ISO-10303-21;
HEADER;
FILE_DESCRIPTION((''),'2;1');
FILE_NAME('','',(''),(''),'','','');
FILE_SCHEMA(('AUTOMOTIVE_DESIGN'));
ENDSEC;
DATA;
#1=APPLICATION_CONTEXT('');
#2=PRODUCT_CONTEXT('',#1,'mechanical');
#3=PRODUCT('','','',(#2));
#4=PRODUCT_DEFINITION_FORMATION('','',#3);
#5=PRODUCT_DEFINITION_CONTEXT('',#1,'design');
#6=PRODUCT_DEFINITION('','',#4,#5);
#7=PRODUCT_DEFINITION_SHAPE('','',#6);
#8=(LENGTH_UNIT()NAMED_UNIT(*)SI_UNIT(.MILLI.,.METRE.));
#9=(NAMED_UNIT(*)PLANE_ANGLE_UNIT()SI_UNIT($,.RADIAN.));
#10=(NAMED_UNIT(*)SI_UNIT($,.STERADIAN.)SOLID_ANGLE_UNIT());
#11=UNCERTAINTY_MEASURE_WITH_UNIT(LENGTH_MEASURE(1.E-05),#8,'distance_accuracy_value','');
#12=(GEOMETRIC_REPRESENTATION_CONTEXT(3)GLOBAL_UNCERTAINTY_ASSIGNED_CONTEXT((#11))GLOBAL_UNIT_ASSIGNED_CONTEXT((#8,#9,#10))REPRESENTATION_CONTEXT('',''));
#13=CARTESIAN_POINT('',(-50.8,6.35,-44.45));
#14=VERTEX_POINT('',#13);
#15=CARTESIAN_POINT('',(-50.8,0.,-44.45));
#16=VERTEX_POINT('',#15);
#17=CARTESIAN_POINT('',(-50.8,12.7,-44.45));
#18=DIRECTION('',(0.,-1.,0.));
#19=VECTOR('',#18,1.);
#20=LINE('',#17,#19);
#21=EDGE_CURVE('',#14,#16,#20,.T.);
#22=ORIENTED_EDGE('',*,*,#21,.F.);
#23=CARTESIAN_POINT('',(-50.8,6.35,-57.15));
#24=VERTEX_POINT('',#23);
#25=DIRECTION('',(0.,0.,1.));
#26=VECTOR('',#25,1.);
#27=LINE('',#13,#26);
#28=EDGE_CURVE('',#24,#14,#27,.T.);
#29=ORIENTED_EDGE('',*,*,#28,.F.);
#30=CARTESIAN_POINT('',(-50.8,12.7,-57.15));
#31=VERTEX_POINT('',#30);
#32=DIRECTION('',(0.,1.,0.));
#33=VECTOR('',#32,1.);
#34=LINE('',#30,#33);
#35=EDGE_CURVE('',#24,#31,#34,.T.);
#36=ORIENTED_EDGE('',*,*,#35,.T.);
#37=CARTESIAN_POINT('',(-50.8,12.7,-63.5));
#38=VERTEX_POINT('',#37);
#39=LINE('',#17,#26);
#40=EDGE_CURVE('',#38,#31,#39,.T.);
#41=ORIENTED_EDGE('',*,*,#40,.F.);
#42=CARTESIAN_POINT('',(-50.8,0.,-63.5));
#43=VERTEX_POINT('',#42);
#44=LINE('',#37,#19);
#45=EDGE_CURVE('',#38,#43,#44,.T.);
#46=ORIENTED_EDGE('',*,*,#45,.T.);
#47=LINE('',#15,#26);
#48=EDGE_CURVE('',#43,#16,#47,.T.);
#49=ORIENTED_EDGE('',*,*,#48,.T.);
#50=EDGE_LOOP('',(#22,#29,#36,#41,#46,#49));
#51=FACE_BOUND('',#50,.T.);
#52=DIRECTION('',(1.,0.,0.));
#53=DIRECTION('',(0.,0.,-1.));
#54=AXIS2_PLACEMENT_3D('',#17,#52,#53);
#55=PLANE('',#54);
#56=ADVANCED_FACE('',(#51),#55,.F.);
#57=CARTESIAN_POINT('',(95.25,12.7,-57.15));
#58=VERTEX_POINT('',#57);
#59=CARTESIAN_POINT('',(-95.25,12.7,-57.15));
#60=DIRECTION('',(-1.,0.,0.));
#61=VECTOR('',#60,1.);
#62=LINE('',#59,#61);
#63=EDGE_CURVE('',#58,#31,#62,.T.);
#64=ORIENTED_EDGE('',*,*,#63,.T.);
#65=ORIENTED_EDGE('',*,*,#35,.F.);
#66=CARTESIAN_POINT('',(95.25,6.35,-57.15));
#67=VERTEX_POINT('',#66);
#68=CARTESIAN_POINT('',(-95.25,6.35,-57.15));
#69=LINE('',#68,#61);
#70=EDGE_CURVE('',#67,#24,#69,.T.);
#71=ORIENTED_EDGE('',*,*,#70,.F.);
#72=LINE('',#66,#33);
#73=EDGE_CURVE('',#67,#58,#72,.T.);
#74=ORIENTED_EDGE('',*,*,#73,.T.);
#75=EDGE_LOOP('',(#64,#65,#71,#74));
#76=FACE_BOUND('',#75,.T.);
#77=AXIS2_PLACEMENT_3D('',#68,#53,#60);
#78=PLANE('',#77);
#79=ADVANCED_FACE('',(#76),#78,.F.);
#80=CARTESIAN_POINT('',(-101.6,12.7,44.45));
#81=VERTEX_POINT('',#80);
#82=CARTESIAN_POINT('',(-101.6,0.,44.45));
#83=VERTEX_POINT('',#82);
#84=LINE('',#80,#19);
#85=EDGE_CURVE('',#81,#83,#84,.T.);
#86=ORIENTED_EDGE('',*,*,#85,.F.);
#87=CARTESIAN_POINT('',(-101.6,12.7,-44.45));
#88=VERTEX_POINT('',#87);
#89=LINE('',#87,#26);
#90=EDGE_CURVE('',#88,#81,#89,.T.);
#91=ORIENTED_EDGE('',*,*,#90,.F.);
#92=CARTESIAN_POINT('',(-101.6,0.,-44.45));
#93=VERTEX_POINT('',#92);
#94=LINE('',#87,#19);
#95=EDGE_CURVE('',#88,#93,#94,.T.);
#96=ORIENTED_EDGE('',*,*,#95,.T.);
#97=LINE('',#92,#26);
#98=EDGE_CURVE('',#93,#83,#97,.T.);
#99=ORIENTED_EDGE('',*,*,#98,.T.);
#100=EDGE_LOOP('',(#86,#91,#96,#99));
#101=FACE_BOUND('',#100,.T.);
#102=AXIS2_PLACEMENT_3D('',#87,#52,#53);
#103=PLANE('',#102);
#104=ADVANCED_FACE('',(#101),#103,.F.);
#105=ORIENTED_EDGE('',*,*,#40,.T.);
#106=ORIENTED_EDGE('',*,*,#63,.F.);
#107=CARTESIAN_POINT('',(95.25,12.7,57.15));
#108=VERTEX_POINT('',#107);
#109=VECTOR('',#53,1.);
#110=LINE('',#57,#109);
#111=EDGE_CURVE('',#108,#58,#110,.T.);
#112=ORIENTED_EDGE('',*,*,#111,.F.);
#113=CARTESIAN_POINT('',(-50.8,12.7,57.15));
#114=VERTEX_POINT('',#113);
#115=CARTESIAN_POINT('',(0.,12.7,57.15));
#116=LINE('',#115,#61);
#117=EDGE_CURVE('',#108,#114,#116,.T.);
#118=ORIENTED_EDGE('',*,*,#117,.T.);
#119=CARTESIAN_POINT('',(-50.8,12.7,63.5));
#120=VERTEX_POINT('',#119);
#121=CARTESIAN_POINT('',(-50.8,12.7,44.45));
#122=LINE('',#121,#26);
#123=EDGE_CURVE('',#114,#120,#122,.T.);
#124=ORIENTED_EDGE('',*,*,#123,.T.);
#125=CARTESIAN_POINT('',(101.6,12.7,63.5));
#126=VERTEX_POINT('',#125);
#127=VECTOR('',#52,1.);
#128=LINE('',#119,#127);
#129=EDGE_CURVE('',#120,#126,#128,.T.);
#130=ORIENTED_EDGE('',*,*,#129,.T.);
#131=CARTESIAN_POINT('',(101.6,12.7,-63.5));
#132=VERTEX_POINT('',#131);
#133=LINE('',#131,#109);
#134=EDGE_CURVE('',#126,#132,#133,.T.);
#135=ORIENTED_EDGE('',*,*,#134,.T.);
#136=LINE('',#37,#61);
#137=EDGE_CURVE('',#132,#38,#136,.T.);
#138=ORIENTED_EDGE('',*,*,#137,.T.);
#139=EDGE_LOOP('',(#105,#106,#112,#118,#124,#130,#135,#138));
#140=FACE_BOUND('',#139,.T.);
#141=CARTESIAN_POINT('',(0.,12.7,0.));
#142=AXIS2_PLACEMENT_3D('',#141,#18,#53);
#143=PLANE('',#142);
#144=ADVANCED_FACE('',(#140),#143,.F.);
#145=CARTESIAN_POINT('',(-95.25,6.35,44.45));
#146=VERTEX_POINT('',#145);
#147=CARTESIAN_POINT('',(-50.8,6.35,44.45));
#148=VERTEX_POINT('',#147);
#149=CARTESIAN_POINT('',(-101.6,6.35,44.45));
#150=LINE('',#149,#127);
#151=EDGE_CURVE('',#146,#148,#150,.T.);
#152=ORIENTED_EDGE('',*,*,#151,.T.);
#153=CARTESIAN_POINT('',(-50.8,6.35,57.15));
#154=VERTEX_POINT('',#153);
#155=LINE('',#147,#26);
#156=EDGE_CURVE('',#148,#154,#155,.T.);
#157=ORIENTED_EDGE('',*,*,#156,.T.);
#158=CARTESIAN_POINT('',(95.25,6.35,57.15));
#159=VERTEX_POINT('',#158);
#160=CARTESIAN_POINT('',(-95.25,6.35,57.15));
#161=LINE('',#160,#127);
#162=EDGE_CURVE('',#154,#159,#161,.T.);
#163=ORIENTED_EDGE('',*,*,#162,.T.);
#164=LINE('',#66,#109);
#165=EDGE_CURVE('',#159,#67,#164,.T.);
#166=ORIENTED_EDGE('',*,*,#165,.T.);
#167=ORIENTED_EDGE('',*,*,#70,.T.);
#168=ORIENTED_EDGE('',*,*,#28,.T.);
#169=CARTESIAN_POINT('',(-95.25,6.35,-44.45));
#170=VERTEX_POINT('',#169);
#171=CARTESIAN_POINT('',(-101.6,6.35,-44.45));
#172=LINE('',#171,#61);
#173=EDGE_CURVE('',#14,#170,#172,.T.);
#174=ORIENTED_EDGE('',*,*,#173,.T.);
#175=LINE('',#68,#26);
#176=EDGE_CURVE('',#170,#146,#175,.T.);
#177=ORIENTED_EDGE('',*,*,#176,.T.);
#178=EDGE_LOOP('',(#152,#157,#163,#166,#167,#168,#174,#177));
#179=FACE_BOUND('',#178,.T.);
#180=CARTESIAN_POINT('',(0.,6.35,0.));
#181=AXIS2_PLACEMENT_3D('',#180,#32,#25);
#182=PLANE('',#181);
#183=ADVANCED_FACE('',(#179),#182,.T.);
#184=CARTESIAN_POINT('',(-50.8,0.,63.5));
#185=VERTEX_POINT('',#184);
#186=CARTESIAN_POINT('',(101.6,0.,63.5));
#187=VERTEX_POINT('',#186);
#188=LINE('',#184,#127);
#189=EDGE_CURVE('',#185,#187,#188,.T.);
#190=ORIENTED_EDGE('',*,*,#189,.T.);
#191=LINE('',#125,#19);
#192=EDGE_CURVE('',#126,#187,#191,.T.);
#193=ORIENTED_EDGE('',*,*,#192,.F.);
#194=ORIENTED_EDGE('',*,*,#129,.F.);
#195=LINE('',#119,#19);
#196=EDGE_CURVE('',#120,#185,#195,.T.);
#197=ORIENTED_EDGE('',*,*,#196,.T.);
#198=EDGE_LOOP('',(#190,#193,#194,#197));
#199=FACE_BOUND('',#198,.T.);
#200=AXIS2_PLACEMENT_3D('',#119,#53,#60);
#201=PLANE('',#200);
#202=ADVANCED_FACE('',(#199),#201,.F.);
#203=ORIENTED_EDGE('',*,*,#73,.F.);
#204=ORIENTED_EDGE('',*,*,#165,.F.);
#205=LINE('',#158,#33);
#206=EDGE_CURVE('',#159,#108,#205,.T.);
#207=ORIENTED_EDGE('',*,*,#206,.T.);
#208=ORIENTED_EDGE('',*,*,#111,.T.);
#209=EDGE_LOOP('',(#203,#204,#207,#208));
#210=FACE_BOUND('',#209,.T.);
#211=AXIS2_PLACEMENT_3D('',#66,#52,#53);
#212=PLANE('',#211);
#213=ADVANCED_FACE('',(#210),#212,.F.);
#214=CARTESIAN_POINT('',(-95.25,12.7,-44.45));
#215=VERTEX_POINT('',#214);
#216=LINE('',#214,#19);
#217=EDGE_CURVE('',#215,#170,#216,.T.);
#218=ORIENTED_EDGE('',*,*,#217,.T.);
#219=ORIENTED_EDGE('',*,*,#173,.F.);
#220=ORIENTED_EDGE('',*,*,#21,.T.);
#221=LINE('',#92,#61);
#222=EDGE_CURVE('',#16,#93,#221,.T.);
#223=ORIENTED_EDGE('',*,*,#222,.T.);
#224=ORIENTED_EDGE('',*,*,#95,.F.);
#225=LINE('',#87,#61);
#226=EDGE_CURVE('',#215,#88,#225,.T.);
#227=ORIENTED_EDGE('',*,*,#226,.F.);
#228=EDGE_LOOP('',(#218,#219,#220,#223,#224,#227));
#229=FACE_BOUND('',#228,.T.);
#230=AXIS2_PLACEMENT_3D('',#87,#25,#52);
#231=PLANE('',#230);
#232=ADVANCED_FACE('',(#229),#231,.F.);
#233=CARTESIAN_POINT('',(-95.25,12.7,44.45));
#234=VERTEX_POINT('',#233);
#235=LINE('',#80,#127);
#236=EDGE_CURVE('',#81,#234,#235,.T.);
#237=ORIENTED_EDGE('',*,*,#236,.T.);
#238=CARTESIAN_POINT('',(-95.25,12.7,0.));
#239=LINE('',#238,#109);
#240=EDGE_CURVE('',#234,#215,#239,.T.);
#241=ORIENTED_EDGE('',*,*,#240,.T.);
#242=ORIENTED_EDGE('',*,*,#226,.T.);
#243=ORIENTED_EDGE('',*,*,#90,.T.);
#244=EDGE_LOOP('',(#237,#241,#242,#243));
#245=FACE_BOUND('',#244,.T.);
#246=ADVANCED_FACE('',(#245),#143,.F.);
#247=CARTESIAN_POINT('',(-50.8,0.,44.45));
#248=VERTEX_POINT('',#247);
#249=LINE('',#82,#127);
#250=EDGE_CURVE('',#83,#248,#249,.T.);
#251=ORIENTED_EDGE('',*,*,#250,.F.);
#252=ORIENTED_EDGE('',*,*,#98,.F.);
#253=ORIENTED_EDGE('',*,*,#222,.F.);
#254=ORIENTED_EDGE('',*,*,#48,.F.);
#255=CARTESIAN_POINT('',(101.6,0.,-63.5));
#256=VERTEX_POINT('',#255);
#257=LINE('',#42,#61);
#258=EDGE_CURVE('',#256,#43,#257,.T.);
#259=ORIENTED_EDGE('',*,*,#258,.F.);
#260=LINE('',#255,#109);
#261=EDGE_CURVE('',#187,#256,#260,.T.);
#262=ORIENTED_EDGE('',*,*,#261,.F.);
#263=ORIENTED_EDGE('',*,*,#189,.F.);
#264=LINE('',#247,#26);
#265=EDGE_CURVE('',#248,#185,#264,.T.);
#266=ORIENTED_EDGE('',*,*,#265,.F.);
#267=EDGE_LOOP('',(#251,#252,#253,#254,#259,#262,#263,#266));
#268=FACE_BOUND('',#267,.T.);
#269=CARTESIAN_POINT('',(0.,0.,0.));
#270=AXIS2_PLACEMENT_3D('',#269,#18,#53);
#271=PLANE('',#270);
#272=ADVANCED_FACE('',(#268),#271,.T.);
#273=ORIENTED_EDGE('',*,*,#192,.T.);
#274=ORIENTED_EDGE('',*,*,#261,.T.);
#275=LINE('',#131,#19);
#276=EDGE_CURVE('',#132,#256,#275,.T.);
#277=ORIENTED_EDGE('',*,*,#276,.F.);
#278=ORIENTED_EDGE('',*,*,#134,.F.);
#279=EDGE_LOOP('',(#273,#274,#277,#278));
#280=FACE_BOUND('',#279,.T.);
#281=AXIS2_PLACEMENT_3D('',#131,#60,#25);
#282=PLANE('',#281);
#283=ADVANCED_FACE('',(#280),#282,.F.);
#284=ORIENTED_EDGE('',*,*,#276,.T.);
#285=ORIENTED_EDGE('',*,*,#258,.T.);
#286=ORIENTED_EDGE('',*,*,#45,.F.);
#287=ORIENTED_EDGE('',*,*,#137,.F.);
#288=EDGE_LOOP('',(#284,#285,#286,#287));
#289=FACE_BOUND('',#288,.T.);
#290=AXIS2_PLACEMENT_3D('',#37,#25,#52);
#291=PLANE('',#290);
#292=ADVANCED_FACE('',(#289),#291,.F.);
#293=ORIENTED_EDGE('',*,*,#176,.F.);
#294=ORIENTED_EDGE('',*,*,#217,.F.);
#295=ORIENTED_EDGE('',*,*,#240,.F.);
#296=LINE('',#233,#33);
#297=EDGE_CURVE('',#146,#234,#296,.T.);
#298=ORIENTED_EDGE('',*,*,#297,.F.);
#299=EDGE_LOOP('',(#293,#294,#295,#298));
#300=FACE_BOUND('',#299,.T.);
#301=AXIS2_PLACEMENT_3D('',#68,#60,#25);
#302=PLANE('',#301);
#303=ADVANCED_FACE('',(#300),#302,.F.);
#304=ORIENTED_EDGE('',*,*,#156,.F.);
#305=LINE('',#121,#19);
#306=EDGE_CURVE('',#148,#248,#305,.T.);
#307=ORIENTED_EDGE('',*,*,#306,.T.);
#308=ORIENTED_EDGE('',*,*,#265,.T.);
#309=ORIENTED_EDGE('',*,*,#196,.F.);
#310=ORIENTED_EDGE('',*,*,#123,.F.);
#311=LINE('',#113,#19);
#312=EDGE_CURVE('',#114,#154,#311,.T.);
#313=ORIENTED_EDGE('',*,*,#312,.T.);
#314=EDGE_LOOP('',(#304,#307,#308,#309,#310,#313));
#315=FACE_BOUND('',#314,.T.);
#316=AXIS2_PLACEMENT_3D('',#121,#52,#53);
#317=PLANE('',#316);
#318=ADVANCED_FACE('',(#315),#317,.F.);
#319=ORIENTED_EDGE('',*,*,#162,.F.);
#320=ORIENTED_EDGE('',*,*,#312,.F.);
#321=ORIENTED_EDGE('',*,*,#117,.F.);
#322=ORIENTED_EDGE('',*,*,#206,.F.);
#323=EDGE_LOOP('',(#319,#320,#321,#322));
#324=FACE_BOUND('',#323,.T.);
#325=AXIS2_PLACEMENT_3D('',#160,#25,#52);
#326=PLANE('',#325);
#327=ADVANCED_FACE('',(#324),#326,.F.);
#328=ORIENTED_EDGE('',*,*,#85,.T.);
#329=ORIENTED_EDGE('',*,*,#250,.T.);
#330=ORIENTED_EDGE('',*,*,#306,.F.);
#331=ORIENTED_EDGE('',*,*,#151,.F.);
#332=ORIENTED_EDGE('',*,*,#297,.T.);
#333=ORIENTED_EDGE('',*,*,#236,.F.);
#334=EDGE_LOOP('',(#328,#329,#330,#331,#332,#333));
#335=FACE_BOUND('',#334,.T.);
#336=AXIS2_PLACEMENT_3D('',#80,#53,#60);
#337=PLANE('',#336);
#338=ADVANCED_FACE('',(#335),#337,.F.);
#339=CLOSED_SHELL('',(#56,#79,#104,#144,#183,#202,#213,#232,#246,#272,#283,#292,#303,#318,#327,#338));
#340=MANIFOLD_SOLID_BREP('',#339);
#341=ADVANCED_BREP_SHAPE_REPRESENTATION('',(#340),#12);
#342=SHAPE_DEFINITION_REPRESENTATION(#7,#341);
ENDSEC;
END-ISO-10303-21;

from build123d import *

# Parameters (mm, degrees)
BOSS_EXTRUDE1_DEPTH = 12.7
SKETCH2_W           = 190.5
SKETCH2_H           = 114.3
CUT_EXTRUDE1_DEPTH  = 6.35


with BuildPart() as part:
    # Sketch1 → Boss-Extrude1 (new body)
    with BuildSketch(Plane(origin=(0, 0, 0), x_dir=(1, 0, 0), z_dir=(0, 1, 0))):
        Polygon((-101.6, 44.45), (-50.8, 44.45), (-50.8, 63.5), (101.6, 63.5), (101.6, -63.5), (-50.8, -63.5), (-50.8, -44.45), (-101.6, -44.45), align=None)
    extrude(amount=BOSS_EXTRUDE1_DEPTH)

    # Sketch2 → Cut-Extrude1 (cut)
    with BuildSketch(Plane(origin=(0, 12.7, 0), x_dir=(1, 0, 0), z_dir=(0, 1, 0))):
        Rectangle(SKETCH2_W, SKETCH2_H)
    extrude(amount=-CUT_EXTRUDE1_DEPTH, mode=Mode.SUBTRACT)


solid = part.part
